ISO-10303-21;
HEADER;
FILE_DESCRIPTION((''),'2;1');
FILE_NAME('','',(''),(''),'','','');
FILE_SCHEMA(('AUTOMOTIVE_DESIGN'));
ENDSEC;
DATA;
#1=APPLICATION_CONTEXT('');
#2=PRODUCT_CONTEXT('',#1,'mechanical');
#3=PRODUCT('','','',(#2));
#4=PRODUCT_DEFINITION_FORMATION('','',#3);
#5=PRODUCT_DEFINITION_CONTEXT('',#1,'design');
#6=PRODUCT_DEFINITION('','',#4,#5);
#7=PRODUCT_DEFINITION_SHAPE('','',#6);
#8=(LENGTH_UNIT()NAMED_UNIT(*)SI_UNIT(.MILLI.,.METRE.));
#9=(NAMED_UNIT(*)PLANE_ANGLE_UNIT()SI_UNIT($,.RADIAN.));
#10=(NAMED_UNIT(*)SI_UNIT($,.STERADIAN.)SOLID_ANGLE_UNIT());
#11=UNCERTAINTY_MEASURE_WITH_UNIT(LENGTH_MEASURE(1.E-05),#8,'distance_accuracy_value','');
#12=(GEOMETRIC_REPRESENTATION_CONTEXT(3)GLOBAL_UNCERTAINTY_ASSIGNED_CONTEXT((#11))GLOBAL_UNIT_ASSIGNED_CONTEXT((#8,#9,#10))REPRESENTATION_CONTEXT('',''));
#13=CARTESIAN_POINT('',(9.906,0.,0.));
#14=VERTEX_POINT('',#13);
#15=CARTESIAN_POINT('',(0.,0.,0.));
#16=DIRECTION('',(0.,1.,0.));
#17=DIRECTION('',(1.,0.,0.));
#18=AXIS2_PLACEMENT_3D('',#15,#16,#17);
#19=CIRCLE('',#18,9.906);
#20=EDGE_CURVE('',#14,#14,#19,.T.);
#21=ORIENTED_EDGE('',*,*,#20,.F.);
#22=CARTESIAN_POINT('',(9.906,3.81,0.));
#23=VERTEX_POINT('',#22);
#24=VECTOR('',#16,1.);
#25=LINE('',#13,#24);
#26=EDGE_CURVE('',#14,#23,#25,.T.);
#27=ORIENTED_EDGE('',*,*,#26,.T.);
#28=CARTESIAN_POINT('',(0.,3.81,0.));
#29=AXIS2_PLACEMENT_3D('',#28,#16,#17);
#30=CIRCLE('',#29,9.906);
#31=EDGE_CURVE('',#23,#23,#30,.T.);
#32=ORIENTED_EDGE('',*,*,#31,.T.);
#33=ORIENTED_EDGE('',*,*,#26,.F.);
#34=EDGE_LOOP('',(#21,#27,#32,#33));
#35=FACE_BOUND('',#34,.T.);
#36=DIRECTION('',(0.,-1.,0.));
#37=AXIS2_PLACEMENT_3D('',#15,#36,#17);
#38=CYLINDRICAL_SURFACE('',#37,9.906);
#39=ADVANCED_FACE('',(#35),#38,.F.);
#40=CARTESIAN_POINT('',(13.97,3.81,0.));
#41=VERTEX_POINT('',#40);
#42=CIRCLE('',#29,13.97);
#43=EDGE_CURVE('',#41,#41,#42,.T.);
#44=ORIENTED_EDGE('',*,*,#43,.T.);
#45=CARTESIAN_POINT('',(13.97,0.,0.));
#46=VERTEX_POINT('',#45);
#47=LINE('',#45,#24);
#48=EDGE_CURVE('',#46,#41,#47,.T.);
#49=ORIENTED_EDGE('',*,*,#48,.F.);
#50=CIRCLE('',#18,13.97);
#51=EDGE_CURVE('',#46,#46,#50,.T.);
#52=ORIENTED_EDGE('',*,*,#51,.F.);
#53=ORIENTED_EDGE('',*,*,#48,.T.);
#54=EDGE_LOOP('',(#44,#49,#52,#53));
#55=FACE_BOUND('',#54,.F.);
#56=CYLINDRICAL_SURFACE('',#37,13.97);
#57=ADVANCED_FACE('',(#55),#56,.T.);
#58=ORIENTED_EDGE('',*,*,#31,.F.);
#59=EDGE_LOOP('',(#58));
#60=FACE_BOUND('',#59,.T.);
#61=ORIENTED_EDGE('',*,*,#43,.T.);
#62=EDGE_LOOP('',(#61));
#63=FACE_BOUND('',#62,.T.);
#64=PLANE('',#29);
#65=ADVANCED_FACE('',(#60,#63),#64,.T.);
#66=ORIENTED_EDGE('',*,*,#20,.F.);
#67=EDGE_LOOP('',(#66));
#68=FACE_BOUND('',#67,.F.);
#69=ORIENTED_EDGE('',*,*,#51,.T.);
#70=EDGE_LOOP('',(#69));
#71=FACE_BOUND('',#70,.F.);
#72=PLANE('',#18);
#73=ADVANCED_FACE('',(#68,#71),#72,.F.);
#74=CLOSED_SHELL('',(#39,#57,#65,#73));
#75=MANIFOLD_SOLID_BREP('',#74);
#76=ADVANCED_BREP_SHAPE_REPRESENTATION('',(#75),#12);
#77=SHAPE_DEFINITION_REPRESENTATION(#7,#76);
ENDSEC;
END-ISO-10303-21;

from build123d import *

# Parameters (mm, degrees)
SKETCH1_R           = 13.97
SKETCH1_R_2         = 9.906
BOSS_EXTRUDE1_DEPTH = 3.81


with BuildPart() as part:
    # Sketch1 → Boss-Extrude1 (new body)
    with BuildSketch(Plane(origin=(0, 0, 0), x_dir=(1, 0, 0), z_dir=(0, 1, 0))):
        Circle(SKETCH1_R)
        Circle(SKETCH1_R_2, mode=Mode.SUBTRACT)
    extrude(amount=BOSS_EXTRUDE1_DEPTH)


solid = part.part
